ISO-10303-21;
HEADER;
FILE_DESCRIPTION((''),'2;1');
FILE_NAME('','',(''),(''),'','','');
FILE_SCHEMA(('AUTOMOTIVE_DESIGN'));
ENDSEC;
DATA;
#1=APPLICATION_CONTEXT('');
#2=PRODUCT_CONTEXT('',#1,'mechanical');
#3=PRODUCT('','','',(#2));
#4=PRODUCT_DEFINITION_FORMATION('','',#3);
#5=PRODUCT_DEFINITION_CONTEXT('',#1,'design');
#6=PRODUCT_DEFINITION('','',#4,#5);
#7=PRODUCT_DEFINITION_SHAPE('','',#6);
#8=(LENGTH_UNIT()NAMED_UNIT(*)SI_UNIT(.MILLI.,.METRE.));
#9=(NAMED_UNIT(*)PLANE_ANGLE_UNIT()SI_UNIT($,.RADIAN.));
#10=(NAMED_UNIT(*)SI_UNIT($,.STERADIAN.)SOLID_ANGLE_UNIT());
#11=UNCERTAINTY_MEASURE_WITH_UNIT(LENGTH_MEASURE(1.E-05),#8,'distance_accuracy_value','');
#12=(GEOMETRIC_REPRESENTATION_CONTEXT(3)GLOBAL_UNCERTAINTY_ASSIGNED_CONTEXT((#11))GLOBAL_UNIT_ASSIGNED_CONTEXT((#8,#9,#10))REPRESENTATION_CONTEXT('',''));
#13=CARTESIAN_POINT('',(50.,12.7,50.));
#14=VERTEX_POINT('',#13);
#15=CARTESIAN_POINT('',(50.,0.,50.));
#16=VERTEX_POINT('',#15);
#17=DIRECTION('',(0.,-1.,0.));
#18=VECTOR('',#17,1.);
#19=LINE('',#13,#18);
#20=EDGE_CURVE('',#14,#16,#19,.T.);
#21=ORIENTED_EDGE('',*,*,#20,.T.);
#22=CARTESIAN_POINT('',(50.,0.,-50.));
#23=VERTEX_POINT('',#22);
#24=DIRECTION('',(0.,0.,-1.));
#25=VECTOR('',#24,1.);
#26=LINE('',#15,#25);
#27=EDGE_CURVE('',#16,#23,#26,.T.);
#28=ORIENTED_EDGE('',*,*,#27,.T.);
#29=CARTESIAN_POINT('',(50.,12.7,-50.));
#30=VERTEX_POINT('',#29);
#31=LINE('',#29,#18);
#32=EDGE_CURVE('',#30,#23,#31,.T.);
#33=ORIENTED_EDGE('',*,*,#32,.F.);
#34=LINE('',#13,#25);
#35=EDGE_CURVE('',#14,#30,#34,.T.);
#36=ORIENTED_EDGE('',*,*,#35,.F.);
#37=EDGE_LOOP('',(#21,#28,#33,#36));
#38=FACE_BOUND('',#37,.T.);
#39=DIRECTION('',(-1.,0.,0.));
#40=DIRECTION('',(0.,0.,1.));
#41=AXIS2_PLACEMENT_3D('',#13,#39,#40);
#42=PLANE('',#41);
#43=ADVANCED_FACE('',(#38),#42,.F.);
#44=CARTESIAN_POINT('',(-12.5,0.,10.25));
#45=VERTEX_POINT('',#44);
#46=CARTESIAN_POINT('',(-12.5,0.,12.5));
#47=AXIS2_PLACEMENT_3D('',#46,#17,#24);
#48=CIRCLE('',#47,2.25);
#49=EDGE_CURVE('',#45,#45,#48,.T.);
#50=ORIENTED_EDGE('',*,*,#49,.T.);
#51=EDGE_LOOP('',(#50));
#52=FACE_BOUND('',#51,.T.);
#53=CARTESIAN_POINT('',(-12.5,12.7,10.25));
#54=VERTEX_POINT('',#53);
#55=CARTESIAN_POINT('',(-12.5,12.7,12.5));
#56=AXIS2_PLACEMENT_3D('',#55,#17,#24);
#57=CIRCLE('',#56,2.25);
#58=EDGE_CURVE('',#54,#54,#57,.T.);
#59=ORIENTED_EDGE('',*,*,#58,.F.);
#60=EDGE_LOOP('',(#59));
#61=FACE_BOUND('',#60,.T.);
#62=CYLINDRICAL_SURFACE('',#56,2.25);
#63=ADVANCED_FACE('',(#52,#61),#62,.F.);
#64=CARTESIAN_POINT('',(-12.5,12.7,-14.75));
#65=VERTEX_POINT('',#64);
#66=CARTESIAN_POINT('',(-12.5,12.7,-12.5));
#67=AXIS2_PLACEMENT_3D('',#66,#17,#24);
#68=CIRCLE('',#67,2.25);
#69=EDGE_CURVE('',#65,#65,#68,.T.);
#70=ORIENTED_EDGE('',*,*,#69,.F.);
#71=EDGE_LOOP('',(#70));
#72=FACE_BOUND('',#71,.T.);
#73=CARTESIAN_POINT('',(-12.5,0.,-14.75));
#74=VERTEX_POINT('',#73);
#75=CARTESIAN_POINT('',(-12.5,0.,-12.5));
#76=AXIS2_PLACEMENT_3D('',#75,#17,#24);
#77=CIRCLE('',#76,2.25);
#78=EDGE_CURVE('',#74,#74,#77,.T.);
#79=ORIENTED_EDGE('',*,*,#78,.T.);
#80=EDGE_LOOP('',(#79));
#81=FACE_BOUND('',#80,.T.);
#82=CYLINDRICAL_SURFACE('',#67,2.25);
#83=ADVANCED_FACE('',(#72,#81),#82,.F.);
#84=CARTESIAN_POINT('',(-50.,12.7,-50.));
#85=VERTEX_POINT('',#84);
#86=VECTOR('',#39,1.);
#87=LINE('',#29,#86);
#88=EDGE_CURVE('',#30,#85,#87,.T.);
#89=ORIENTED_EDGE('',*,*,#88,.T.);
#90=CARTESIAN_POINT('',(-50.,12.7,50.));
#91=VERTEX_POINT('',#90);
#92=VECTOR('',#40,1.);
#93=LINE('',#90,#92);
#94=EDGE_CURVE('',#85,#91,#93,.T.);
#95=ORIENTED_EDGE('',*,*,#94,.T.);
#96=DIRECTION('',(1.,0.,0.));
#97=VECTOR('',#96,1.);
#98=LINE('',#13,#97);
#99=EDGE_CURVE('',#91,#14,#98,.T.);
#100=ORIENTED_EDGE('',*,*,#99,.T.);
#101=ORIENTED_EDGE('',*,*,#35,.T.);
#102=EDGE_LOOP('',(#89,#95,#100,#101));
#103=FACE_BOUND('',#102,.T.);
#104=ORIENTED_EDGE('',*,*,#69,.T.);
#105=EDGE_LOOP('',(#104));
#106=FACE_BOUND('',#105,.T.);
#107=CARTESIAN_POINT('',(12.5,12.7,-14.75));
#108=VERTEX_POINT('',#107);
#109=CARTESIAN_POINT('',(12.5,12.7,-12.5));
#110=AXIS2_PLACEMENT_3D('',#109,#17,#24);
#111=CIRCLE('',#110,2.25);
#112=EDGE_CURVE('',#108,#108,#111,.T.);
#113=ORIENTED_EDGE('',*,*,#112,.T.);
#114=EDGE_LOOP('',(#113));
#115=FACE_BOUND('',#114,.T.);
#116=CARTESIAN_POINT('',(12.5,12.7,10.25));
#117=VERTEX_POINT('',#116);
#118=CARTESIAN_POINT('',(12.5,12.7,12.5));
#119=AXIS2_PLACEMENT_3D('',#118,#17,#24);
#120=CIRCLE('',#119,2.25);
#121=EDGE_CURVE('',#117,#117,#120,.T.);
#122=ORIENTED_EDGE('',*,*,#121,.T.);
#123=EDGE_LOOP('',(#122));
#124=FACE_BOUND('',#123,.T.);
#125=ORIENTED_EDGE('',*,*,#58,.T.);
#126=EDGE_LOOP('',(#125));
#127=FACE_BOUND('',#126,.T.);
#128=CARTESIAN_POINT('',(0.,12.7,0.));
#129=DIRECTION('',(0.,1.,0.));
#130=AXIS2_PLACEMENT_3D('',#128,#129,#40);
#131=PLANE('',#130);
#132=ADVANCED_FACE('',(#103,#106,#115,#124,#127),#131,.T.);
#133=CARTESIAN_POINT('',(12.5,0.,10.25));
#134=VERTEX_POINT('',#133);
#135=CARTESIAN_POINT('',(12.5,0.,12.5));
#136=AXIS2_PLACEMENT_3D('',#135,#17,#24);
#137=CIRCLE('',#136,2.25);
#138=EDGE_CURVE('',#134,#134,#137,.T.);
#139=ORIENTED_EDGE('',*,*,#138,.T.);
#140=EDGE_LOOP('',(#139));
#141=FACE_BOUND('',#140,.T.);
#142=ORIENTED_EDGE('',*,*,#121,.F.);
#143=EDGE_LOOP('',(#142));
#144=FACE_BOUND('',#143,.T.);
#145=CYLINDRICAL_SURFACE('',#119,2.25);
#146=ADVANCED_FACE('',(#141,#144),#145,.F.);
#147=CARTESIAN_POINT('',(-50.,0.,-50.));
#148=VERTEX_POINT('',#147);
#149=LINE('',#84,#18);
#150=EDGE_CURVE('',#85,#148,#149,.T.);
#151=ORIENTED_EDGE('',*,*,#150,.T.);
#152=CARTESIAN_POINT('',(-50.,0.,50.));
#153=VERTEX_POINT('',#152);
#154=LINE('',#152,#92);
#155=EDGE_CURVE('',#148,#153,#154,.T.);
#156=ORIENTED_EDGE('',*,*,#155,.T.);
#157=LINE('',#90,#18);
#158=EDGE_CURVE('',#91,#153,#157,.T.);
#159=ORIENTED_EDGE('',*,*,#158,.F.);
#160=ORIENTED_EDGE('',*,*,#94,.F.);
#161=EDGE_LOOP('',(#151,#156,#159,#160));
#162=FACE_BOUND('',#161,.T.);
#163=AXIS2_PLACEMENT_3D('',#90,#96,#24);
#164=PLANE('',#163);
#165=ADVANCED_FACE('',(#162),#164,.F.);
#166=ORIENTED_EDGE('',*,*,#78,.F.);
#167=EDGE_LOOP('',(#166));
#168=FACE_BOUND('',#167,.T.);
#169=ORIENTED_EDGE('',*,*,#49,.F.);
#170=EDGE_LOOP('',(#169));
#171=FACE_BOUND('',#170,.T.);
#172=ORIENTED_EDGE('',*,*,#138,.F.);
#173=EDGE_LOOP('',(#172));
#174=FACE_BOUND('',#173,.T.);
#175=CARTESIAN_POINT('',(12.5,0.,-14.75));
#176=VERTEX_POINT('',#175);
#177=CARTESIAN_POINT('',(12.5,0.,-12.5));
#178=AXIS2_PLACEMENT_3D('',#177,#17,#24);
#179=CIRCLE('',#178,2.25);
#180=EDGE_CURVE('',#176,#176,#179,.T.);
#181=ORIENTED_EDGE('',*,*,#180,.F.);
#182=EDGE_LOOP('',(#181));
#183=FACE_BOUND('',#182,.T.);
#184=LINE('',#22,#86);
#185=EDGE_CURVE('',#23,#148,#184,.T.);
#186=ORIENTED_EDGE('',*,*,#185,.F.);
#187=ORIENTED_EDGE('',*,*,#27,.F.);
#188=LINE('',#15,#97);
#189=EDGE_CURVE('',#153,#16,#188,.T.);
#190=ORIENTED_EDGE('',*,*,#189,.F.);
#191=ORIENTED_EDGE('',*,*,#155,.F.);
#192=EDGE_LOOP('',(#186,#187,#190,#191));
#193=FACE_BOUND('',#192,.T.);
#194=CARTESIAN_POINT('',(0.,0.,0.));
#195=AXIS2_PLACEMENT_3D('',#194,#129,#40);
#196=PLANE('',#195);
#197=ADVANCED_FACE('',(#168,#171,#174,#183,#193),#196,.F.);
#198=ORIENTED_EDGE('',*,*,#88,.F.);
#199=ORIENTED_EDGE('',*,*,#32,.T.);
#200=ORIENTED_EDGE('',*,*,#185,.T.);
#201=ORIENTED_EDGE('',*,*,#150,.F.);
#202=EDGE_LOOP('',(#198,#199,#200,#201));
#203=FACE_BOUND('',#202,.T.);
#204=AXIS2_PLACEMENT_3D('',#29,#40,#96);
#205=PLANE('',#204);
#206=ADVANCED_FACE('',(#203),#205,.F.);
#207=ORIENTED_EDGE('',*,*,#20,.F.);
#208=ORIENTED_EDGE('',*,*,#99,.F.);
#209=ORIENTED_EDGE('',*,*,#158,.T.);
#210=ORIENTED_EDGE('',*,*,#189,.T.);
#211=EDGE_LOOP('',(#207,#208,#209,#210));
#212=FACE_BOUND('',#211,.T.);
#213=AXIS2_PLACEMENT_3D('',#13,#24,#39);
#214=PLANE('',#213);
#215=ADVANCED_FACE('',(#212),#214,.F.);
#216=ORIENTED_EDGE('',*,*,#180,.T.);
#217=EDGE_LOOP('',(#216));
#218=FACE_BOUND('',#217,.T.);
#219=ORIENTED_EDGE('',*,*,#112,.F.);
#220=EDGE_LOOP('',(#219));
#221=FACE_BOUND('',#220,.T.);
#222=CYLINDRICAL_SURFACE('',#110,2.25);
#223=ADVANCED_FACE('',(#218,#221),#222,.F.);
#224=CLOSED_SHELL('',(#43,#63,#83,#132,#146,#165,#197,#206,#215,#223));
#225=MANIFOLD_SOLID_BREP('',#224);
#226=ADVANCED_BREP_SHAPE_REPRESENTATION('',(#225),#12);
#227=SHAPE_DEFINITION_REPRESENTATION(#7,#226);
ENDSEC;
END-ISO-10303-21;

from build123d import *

# Parameters (mm, degrees)
CROQUIS1_W              = 100
CROQUIS1_H              = 100
SALIENTE_EXTRUIR1_DEPTH = 12.7
CROQUIS3_OUTSIDE_W      = 130.398
CROQUIS3_OUTSIDE_H      = 130.398
CROQUIS3_OUTSIDE_W_2    = 100
CROQUIS3_OUTSIDE_H_2    = 100
CROQUIS3_OUTSIDE_R      = 2.25
CORTAR_EXTRUIR1_DEPTH   = 72.842118566


with BuildPart() as part:
    # Croquis1 → Saliente-Extruir1 (new body)
    with BuildSketch(Plane(origin=(0, 0, 0), x_dir=(1, 0, 0), z_dir=(0, 1, 0))):
        Rectangle(CROQUIS1_W, CROQUIS1_H)
    extrude(amount=SALIENTE_EXTRUIR1_DEPTH)

    # Croquis3 outside → Cortar-Extruir1 (cut, through all)
    # profile 1 of 5: a face of its own
    with BuildSketch(Plane.XZ):
        Rectangle(CROQUIS3_OUTSIDE_W, CROQUIS3_OUTSIDE_H)
        Rectangle(CROQUIS3_OUTSIDE_W_2, CROQUIS3_OUTSIDE_H_2, mode=Mode.SUBTRACT)
    # profile 2 of 5: a face of its own
    with BuildSketch(Plane.XZ):
        with Locations(Location((-12.5, -12.5, 0), (0, 0, 270))):
            Circle(CROQUIS3_OUTSIDE_R)
    # profile 3 of 5: a face of its own
    with BuildSketch(Plane.XZ):
        with Locations(Location((12.5, -12.5, 0), (0, 0, 270))):
            Circle(CROQUIS3_OUTSIDE_R)
    # profile 4 of 5: a face of its own
    with BuildSketch(Plane.XZ):
        with Locations(Location((-12.5, 12.5, 0), (0, 0, 270))):
            Circle(CROQUIS3_OUTSIDE_R)
    # profile 5 of 5: a face of its own
    with BuildSketch(Plane.XZ):
        with Locations(Location((12.5, 12.5, 0), (0, 0, 270))):
            Circle(CROQUIS3_OUTSIDE_R)
    extrude(amount=-CORTAR_EXTRUIR1_DEPTH, mode=Mode.SUBTRACT)


solid = part.part
